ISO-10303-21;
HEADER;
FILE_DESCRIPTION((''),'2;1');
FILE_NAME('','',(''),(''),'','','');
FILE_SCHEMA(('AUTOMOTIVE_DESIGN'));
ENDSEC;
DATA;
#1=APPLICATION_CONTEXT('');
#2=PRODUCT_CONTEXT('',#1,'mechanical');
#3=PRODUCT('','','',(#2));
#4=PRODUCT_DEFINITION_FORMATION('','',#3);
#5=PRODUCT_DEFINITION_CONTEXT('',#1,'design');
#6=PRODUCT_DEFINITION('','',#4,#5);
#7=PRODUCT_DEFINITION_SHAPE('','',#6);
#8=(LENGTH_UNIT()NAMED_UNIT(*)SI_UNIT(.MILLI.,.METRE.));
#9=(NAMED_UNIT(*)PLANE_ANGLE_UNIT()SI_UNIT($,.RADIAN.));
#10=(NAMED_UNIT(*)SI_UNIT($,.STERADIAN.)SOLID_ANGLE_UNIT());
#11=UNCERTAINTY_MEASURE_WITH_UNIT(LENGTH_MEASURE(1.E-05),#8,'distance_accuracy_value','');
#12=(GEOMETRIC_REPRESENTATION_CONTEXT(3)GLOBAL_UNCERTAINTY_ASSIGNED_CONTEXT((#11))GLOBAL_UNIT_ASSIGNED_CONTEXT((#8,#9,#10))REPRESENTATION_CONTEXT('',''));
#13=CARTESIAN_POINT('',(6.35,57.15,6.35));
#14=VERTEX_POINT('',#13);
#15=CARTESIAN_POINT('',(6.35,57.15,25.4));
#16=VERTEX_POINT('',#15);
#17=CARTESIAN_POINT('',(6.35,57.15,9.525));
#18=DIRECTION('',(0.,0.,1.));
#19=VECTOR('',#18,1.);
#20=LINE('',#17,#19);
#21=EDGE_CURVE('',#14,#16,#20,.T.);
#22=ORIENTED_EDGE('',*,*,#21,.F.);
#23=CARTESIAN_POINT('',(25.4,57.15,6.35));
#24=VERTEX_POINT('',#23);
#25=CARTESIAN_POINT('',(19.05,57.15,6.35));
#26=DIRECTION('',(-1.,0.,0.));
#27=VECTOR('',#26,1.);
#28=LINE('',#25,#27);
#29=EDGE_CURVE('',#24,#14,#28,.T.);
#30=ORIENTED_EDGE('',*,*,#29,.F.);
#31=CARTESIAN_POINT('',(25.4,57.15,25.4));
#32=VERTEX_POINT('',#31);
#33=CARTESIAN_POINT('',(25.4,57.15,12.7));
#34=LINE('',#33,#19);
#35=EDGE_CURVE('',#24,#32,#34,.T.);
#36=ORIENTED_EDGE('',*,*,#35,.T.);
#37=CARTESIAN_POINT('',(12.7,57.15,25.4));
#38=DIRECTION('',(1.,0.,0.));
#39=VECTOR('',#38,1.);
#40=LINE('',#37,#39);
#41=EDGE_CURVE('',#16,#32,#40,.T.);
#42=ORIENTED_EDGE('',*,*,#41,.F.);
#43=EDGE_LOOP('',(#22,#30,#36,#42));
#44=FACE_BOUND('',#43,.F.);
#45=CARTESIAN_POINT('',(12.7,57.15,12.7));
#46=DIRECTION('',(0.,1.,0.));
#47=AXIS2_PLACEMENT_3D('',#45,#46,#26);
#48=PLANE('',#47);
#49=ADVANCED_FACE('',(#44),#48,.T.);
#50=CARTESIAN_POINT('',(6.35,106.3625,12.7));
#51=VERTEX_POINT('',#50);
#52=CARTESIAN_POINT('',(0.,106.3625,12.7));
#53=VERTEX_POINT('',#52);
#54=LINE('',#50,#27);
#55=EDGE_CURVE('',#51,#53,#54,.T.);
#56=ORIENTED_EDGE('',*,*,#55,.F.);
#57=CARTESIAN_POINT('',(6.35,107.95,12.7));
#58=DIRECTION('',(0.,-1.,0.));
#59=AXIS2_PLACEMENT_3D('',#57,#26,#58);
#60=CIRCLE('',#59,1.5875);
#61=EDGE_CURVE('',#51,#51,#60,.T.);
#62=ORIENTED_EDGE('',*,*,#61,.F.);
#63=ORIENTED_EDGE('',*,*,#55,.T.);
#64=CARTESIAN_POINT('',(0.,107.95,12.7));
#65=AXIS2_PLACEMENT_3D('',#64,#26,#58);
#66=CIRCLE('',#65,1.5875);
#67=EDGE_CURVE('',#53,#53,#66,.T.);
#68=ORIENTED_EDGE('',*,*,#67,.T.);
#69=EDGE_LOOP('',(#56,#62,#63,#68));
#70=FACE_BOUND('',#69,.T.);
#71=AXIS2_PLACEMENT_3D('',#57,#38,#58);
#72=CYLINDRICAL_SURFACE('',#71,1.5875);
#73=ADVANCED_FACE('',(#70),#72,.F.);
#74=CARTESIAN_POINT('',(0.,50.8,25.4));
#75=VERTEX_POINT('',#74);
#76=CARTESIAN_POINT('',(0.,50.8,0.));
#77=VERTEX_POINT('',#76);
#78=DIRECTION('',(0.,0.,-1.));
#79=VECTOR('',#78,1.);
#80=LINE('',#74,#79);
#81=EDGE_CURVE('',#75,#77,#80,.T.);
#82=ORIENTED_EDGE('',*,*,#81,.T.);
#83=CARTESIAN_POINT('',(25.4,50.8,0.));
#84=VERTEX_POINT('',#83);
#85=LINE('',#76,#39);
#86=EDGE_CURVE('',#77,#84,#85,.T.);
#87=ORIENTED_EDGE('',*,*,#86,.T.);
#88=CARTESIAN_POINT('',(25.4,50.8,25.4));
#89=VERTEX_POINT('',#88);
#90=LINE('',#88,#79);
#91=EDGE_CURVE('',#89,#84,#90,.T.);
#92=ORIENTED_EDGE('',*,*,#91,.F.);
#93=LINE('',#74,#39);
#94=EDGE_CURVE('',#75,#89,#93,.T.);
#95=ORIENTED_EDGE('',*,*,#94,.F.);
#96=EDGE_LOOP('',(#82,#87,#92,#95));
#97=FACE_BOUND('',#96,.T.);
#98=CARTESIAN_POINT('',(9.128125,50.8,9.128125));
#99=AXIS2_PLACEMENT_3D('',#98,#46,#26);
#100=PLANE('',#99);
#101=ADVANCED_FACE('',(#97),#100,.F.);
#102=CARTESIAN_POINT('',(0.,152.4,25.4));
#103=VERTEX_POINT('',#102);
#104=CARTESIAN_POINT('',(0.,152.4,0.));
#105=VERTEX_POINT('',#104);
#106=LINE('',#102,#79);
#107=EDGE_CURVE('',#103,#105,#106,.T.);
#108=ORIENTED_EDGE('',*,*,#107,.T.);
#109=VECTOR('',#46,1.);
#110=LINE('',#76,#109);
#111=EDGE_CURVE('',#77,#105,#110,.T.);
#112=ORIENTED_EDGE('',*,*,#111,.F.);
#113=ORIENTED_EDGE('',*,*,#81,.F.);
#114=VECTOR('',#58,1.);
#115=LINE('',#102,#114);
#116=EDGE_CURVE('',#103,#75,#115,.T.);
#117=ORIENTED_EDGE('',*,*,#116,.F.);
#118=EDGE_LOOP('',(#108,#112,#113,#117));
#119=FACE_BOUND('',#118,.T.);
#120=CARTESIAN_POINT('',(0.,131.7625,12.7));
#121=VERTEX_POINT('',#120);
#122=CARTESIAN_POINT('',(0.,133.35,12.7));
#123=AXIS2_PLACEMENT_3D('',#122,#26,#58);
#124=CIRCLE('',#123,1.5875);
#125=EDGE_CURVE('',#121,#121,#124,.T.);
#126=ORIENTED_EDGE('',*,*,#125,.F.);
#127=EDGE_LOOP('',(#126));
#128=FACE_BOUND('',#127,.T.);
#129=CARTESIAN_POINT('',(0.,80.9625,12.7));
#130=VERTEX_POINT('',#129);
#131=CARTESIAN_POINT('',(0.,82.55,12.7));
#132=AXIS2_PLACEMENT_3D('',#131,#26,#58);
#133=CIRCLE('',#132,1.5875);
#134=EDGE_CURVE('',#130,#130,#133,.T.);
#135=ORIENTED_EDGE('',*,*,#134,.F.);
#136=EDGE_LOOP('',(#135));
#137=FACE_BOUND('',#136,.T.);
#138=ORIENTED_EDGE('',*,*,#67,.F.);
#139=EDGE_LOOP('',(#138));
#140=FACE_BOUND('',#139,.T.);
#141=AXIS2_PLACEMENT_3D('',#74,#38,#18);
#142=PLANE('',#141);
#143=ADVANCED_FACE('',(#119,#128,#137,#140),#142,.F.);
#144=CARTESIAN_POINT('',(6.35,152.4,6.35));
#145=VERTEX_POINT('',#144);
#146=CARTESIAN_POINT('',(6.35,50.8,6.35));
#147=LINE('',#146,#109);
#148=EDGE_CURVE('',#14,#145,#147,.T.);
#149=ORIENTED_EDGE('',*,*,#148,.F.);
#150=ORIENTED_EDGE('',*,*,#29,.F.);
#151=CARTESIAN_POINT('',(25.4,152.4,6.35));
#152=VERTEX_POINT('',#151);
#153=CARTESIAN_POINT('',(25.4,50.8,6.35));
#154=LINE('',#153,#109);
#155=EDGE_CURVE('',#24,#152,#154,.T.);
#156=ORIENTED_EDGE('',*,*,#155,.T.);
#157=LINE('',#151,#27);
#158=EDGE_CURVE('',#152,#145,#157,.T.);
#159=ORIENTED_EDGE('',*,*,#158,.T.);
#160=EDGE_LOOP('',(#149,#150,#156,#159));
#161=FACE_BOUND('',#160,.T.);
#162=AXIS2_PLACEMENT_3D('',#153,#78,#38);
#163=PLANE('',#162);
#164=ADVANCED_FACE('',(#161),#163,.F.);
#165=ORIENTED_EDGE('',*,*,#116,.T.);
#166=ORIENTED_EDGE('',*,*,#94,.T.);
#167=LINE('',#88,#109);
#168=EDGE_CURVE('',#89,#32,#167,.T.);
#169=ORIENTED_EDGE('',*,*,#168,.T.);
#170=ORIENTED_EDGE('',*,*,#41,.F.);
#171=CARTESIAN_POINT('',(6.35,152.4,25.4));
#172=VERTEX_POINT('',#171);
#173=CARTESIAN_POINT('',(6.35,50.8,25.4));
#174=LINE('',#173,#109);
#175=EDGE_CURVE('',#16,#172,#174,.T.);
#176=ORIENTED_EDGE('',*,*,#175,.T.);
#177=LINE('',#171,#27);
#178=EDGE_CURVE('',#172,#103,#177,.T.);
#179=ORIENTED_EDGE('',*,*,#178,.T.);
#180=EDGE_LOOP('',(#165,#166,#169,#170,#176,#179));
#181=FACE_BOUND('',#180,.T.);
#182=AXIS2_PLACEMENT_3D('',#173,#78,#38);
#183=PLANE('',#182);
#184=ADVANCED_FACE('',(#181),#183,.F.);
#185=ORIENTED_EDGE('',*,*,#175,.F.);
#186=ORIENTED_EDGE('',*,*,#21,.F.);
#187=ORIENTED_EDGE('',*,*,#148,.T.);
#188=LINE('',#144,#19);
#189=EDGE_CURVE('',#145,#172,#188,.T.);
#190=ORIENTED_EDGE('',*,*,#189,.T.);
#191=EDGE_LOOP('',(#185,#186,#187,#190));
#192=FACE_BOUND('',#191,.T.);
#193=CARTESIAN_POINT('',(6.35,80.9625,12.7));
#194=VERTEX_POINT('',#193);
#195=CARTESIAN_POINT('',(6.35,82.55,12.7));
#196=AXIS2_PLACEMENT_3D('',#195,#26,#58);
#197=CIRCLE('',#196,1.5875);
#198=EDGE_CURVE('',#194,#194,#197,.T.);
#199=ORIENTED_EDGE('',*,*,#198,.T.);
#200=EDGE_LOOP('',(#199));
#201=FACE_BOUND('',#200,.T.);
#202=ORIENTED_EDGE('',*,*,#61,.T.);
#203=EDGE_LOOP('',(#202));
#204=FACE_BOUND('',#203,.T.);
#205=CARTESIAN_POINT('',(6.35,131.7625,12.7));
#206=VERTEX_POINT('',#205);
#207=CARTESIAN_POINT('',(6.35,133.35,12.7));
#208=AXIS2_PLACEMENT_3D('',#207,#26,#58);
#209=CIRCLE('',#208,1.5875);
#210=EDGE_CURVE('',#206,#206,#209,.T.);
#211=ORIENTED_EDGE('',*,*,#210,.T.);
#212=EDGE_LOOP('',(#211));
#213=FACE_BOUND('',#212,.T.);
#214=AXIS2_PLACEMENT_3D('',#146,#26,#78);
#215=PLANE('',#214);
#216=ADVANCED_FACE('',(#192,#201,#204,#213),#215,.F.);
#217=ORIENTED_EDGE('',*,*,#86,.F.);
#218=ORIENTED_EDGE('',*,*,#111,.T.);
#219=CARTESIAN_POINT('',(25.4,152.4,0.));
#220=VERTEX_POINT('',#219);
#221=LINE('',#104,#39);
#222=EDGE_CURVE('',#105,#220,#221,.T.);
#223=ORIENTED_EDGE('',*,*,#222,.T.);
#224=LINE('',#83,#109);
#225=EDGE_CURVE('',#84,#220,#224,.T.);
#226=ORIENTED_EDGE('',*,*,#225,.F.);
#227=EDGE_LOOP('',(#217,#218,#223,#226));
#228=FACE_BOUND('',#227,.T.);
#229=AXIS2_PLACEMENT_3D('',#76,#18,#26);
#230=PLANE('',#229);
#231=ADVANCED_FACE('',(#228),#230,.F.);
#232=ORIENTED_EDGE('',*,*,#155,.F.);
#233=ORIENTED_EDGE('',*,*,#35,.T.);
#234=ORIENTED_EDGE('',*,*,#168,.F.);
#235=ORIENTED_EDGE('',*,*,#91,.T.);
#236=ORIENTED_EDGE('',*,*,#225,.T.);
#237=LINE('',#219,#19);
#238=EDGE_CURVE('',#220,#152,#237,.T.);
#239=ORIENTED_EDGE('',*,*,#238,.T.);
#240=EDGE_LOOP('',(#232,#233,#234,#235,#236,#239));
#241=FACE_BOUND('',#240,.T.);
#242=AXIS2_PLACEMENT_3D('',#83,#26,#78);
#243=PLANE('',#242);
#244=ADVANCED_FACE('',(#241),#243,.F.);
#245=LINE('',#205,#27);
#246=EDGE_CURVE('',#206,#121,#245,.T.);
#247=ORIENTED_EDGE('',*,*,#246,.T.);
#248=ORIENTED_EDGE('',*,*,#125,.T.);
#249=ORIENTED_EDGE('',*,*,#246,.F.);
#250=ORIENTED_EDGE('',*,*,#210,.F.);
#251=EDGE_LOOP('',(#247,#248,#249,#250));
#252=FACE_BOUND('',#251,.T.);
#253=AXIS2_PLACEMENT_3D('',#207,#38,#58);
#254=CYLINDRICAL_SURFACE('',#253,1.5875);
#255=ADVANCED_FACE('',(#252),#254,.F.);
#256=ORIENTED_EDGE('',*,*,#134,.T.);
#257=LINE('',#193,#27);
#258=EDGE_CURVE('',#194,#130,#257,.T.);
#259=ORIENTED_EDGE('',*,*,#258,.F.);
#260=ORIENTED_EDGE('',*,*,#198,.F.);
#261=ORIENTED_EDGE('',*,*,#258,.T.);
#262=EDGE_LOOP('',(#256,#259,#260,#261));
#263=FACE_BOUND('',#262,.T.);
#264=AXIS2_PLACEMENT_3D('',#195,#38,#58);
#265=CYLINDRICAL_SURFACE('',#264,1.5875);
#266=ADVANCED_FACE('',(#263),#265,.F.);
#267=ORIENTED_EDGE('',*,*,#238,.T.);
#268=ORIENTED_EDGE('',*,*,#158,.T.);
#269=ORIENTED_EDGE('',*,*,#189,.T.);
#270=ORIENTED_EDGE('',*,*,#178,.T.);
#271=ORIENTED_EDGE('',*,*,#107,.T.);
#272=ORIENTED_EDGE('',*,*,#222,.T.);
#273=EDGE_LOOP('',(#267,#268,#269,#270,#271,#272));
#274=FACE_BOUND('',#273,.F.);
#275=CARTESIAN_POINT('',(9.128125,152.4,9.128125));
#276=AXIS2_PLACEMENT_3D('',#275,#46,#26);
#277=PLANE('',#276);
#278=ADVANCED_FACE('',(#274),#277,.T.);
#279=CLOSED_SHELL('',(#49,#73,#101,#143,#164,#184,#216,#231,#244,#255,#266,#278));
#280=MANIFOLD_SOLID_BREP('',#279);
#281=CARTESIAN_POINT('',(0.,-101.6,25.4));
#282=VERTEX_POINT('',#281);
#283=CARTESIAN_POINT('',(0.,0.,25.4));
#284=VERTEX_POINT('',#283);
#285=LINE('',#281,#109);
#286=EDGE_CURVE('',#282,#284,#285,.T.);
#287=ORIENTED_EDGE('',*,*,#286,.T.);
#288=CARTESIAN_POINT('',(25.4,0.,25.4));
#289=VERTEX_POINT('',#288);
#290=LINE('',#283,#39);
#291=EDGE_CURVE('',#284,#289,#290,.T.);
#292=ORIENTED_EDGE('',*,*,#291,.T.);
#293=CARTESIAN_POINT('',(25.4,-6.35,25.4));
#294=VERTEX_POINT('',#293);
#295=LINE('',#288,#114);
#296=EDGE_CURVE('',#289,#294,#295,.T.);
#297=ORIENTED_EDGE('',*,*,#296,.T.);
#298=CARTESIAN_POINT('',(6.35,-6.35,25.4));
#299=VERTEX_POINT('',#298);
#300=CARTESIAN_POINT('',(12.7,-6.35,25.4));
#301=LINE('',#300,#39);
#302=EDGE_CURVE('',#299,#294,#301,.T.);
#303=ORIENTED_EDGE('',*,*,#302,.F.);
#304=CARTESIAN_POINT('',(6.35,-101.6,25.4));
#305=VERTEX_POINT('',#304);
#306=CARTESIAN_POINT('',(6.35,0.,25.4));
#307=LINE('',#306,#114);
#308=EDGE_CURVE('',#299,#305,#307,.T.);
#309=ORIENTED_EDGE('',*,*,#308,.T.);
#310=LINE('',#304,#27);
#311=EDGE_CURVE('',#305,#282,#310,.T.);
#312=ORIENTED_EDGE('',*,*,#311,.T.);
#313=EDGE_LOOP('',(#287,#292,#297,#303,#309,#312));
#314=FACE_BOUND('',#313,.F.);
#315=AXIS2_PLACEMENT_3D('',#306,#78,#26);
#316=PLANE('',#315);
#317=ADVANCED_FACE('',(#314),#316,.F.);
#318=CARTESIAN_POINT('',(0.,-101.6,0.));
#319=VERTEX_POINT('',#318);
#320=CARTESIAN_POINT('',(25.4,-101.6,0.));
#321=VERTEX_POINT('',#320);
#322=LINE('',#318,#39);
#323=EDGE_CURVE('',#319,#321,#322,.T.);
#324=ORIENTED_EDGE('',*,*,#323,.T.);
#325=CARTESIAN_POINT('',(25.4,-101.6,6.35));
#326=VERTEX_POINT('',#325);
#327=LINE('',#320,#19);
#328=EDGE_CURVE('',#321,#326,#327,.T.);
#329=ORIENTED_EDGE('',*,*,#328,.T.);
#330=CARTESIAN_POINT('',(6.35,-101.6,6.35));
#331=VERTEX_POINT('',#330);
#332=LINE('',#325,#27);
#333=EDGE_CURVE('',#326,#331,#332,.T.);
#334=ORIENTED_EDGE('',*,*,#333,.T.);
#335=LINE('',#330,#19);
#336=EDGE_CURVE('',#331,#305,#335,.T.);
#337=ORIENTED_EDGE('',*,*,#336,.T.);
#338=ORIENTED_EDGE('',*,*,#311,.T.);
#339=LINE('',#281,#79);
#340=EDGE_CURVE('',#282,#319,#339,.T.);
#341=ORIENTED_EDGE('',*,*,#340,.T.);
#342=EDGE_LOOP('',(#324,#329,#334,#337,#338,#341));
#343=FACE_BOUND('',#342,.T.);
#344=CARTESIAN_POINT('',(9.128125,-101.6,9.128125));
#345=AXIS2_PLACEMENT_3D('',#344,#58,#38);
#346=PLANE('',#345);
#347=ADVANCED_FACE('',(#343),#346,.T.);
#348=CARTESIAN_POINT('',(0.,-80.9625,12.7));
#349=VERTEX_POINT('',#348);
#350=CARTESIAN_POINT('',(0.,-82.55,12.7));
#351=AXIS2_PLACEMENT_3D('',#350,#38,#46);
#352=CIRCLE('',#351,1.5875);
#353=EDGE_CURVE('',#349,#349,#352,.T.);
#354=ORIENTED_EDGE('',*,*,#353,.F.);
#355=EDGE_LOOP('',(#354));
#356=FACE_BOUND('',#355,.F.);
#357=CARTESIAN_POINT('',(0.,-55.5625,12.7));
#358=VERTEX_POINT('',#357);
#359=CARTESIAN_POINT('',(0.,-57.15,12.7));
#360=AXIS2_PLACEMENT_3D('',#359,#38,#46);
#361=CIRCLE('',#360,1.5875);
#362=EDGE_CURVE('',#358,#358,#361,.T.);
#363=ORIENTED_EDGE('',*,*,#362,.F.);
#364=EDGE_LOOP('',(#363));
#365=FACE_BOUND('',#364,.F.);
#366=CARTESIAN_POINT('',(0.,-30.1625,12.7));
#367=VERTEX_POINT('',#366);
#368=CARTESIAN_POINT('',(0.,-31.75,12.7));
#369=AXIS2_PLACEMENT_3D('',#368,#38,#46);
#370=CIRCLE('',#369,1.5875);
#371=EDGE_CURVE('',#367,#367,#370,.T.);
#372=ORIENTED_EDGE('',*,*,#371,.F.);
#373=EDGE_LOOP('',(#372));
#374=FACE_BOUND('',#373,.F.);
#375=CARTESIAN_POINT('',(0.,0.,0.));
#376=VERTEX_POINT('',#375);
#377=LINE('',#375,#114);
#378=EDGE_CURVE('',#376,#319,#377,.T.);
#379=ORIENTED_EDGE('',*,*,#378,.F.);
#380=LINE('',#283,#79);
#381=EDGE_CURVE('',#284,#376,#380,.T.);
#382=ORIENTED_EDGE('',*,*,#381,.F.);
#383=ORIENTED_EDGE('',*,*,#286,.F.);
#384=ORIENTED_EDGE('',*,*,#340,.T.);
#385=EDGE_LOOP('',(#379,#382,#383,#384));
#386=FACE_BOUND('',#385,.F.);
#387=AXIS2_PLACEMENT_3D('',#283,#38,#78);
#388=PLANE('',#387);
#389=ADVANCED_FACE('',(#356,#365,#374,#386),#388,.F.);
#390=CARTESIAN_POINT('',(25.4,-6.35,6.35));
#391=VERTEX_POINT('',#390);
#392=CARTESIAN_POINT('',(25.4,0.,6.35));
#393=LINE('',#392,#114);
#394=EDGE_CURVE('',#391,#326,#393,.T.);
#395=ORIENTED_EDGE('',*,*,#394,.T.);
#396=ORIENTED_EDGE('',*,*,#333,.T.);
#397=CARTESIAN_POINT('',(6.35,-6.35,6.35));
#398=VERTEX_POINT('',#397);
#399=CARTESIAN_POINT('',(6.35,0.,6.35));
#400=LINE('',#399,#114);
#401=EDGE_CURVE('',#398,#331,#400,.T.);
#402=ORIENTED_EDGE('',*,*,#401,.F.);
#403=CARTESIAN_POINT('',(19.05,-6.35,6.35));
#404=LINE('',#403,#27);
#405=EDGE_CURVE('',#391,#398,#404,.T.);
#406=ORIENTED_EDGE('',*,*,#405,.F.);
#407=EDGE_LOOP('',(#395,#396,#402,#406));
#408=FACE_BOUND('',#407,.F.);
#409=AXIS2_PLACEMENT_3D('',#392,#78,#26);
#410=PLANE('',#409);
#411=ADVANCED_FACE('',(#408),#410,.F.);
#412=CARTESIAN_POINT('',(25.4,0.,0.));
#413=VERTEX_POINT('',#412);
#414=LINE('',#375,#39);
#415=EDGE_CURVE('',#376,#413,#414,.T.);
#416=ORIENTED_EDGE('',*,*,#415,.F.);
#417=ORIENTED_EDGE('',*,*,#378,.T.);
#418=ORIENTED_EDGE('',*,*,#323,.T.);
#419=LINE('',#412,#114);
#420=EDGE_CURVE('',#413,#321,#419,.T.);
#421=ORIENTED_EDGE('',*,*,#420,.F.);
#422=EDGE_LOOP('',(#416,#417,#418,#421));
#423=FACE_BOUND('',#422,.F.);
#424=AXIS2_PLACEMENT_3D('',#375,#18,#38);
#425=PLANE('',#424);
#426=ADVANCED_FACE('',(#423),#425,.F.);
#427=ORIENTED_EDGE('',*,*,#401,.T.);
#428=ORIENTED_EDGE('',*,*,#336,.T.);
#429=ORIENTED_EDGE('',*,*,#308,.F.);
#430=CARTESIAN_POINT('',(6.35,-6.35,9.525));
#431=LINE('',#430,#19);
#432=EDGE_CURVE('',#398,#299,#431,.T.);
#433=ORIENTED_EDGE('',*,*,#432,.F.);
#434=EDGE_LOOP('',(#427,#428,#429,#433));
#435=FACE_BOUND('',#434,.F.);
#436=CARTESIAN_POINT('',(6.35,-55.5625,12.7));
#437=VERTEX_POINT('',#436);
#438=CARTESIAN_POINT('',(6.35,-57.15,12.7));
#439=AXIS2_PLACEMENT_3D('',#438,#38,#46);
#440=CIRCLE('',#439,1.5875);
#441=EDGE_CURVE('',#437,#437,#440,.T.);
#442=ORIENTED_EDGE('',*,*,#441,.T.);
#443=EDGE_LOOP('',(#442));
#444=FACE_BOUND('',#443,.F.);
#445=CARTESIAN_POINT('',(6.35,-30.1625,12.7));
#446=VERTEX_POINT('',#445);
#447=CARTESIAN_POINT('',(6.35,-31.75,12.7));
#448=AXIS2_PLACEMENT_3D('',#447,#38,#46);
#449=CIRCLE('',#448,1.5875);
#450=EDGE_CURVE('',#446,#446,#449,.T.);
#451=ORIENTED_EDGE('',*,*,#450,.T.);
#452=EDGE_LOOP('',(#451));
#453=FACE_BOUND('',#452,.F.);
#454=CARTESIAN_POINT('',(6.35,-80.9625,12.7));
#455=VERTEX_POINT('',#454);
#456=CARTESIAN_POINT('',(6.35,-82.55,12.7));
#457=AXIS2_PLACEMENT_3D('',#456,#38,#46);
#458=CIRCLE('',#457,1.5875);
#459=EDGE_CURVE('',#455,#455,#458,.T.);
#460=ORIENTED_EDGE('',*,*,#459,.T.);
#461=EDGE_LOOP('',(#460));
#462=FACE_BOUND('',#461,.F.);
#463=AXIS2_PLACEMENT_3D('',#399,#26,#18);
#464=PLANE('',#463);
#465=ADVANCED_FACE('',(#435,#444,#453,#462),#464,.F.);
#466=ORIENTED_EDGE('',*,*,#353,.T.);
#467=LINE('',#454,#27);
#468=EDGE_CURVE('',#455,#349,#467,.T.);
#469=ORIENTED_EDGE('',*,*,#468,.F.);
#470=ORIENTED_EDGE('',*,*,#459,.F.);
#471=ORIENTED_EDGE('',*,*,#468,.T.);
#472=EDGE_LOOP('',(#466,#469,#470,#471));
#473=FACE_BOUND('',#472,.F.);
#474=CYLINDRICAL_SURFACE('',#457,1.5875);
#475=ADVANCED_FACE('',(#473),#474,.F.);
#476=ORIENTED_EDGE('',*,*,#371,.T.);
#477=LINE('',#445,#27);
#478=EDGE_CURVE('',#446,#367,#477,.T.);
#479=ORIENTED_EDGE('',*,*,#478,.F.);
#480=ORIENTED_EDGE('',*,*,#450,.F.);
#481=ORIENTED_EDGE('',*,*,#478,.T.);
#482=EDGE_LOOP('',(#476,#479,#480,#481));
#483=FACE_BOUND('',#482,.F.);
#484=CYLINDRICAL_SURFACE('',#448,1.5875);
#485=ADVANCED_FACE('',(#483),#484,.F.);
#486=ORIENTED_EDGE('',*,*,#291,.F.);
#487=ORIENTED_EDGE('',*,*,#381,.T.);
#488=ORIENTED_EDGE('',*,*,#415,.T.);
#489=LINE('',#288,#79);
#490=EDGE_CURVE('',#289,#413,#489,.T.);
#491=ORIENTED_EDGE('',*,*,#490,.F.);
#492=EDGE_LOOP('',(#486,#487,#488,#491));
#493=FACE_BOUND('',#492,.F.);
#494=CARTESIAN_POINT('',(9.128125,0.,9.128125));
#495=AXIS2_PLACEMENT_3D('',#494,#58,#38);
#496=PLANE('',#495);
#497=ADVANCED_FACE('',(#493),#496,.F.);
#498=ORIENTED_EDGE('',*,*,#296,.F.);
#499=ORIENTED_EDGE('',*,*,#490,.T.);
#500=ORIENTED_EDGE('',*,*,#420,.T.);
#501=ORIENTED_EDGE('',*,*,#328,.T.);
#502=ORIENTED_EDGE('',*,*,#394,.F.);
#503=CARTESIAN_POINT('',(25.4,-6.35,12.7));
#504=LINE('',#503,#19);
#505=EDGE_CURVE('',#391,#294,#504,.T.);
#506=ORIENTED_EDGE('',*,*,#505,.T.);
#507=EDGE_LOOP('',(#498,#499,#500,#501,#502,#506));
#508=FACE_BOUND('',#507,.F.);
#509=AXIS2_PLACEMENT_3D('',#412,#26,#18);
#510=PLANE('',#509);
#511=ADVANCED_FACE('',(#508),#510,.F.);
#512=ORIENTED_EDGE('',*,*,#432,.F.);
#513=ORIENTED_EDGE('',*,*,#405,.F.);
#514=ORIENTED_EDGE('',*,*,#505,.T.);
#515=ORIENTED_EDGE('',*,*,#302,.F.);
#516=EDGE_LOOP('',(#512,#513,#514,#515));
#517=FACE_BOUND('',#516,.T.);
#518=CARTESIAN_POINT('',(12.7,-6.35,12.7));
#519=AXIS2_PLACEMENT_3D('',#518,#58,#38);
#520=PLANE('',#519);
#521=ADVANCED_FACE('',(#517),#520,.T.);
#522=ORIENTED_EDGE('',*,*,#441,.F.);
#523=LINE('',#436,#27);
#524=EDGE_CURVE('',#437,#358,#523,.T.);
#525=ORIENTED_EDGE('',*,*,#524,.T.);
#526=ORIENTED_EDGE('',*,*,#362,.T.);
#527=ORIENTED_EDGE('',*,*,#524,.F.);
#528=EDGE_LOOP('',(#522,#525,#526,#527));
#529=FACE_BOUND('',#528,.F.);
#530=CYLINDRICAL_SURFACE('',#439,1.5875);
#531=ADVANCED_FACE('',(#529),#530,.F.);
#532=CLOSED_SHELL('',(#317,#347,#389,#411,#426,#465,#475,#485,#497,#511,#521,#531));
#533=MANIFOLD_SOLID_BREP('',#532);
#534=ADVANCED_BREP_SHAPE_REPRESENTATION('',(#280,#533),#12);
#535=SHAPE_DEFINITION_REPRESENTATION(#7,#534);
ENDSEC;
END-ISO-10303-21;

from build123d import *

# Parameters (mm, degrees)
F1_DEPTH = 101.6
F2_W     = 25.4
F2_H     = 25.4
F3_DEPTH = 6.35
F4_R     = 1.5875
F5_DEPTH = 25.4


with BuildPart() as f1:
    # F0 (on Front) → F1 (new body)
    with BuildSketch(Plane.XZ):
        Polygon((0, 25.4), (0, 0), (25.4, 0), (25.4, 6.35), (6.35, 6.35), (6.35, 25.4), align=None)
    extrude(amount=F1_DEPTH)

    # F2 (on Front) → F3 (join)
    with BuildSketch(Plane.XZ):
        with Locations((12.7, 12.7)):
            Rectangle(F2_W, F2_H)
    extrude(amount=F3_DEPTH)

    # F4 (on face) → F5 (cut)
    with BuildSketch(Plane.YZ.offset(6.35)):
        with Locations((-31.75, 12.7)):
            Circle(F4_R)
        with Locations((-57.15, 12.7)):
            Circle(F4_R)
        with Locations((-82.55, 12.7)):
            Circle(F4_R)
    extrude(amount=-F5_DEPTH, mode=Mode.SUBTRACT)


with BuildPart() as f7_1:
    # F7: instance of F1
    add(f1.part.mirror(Plane.XZ.offset(-25.4)))


solid = Compound([f1.part, f7_1.part])
